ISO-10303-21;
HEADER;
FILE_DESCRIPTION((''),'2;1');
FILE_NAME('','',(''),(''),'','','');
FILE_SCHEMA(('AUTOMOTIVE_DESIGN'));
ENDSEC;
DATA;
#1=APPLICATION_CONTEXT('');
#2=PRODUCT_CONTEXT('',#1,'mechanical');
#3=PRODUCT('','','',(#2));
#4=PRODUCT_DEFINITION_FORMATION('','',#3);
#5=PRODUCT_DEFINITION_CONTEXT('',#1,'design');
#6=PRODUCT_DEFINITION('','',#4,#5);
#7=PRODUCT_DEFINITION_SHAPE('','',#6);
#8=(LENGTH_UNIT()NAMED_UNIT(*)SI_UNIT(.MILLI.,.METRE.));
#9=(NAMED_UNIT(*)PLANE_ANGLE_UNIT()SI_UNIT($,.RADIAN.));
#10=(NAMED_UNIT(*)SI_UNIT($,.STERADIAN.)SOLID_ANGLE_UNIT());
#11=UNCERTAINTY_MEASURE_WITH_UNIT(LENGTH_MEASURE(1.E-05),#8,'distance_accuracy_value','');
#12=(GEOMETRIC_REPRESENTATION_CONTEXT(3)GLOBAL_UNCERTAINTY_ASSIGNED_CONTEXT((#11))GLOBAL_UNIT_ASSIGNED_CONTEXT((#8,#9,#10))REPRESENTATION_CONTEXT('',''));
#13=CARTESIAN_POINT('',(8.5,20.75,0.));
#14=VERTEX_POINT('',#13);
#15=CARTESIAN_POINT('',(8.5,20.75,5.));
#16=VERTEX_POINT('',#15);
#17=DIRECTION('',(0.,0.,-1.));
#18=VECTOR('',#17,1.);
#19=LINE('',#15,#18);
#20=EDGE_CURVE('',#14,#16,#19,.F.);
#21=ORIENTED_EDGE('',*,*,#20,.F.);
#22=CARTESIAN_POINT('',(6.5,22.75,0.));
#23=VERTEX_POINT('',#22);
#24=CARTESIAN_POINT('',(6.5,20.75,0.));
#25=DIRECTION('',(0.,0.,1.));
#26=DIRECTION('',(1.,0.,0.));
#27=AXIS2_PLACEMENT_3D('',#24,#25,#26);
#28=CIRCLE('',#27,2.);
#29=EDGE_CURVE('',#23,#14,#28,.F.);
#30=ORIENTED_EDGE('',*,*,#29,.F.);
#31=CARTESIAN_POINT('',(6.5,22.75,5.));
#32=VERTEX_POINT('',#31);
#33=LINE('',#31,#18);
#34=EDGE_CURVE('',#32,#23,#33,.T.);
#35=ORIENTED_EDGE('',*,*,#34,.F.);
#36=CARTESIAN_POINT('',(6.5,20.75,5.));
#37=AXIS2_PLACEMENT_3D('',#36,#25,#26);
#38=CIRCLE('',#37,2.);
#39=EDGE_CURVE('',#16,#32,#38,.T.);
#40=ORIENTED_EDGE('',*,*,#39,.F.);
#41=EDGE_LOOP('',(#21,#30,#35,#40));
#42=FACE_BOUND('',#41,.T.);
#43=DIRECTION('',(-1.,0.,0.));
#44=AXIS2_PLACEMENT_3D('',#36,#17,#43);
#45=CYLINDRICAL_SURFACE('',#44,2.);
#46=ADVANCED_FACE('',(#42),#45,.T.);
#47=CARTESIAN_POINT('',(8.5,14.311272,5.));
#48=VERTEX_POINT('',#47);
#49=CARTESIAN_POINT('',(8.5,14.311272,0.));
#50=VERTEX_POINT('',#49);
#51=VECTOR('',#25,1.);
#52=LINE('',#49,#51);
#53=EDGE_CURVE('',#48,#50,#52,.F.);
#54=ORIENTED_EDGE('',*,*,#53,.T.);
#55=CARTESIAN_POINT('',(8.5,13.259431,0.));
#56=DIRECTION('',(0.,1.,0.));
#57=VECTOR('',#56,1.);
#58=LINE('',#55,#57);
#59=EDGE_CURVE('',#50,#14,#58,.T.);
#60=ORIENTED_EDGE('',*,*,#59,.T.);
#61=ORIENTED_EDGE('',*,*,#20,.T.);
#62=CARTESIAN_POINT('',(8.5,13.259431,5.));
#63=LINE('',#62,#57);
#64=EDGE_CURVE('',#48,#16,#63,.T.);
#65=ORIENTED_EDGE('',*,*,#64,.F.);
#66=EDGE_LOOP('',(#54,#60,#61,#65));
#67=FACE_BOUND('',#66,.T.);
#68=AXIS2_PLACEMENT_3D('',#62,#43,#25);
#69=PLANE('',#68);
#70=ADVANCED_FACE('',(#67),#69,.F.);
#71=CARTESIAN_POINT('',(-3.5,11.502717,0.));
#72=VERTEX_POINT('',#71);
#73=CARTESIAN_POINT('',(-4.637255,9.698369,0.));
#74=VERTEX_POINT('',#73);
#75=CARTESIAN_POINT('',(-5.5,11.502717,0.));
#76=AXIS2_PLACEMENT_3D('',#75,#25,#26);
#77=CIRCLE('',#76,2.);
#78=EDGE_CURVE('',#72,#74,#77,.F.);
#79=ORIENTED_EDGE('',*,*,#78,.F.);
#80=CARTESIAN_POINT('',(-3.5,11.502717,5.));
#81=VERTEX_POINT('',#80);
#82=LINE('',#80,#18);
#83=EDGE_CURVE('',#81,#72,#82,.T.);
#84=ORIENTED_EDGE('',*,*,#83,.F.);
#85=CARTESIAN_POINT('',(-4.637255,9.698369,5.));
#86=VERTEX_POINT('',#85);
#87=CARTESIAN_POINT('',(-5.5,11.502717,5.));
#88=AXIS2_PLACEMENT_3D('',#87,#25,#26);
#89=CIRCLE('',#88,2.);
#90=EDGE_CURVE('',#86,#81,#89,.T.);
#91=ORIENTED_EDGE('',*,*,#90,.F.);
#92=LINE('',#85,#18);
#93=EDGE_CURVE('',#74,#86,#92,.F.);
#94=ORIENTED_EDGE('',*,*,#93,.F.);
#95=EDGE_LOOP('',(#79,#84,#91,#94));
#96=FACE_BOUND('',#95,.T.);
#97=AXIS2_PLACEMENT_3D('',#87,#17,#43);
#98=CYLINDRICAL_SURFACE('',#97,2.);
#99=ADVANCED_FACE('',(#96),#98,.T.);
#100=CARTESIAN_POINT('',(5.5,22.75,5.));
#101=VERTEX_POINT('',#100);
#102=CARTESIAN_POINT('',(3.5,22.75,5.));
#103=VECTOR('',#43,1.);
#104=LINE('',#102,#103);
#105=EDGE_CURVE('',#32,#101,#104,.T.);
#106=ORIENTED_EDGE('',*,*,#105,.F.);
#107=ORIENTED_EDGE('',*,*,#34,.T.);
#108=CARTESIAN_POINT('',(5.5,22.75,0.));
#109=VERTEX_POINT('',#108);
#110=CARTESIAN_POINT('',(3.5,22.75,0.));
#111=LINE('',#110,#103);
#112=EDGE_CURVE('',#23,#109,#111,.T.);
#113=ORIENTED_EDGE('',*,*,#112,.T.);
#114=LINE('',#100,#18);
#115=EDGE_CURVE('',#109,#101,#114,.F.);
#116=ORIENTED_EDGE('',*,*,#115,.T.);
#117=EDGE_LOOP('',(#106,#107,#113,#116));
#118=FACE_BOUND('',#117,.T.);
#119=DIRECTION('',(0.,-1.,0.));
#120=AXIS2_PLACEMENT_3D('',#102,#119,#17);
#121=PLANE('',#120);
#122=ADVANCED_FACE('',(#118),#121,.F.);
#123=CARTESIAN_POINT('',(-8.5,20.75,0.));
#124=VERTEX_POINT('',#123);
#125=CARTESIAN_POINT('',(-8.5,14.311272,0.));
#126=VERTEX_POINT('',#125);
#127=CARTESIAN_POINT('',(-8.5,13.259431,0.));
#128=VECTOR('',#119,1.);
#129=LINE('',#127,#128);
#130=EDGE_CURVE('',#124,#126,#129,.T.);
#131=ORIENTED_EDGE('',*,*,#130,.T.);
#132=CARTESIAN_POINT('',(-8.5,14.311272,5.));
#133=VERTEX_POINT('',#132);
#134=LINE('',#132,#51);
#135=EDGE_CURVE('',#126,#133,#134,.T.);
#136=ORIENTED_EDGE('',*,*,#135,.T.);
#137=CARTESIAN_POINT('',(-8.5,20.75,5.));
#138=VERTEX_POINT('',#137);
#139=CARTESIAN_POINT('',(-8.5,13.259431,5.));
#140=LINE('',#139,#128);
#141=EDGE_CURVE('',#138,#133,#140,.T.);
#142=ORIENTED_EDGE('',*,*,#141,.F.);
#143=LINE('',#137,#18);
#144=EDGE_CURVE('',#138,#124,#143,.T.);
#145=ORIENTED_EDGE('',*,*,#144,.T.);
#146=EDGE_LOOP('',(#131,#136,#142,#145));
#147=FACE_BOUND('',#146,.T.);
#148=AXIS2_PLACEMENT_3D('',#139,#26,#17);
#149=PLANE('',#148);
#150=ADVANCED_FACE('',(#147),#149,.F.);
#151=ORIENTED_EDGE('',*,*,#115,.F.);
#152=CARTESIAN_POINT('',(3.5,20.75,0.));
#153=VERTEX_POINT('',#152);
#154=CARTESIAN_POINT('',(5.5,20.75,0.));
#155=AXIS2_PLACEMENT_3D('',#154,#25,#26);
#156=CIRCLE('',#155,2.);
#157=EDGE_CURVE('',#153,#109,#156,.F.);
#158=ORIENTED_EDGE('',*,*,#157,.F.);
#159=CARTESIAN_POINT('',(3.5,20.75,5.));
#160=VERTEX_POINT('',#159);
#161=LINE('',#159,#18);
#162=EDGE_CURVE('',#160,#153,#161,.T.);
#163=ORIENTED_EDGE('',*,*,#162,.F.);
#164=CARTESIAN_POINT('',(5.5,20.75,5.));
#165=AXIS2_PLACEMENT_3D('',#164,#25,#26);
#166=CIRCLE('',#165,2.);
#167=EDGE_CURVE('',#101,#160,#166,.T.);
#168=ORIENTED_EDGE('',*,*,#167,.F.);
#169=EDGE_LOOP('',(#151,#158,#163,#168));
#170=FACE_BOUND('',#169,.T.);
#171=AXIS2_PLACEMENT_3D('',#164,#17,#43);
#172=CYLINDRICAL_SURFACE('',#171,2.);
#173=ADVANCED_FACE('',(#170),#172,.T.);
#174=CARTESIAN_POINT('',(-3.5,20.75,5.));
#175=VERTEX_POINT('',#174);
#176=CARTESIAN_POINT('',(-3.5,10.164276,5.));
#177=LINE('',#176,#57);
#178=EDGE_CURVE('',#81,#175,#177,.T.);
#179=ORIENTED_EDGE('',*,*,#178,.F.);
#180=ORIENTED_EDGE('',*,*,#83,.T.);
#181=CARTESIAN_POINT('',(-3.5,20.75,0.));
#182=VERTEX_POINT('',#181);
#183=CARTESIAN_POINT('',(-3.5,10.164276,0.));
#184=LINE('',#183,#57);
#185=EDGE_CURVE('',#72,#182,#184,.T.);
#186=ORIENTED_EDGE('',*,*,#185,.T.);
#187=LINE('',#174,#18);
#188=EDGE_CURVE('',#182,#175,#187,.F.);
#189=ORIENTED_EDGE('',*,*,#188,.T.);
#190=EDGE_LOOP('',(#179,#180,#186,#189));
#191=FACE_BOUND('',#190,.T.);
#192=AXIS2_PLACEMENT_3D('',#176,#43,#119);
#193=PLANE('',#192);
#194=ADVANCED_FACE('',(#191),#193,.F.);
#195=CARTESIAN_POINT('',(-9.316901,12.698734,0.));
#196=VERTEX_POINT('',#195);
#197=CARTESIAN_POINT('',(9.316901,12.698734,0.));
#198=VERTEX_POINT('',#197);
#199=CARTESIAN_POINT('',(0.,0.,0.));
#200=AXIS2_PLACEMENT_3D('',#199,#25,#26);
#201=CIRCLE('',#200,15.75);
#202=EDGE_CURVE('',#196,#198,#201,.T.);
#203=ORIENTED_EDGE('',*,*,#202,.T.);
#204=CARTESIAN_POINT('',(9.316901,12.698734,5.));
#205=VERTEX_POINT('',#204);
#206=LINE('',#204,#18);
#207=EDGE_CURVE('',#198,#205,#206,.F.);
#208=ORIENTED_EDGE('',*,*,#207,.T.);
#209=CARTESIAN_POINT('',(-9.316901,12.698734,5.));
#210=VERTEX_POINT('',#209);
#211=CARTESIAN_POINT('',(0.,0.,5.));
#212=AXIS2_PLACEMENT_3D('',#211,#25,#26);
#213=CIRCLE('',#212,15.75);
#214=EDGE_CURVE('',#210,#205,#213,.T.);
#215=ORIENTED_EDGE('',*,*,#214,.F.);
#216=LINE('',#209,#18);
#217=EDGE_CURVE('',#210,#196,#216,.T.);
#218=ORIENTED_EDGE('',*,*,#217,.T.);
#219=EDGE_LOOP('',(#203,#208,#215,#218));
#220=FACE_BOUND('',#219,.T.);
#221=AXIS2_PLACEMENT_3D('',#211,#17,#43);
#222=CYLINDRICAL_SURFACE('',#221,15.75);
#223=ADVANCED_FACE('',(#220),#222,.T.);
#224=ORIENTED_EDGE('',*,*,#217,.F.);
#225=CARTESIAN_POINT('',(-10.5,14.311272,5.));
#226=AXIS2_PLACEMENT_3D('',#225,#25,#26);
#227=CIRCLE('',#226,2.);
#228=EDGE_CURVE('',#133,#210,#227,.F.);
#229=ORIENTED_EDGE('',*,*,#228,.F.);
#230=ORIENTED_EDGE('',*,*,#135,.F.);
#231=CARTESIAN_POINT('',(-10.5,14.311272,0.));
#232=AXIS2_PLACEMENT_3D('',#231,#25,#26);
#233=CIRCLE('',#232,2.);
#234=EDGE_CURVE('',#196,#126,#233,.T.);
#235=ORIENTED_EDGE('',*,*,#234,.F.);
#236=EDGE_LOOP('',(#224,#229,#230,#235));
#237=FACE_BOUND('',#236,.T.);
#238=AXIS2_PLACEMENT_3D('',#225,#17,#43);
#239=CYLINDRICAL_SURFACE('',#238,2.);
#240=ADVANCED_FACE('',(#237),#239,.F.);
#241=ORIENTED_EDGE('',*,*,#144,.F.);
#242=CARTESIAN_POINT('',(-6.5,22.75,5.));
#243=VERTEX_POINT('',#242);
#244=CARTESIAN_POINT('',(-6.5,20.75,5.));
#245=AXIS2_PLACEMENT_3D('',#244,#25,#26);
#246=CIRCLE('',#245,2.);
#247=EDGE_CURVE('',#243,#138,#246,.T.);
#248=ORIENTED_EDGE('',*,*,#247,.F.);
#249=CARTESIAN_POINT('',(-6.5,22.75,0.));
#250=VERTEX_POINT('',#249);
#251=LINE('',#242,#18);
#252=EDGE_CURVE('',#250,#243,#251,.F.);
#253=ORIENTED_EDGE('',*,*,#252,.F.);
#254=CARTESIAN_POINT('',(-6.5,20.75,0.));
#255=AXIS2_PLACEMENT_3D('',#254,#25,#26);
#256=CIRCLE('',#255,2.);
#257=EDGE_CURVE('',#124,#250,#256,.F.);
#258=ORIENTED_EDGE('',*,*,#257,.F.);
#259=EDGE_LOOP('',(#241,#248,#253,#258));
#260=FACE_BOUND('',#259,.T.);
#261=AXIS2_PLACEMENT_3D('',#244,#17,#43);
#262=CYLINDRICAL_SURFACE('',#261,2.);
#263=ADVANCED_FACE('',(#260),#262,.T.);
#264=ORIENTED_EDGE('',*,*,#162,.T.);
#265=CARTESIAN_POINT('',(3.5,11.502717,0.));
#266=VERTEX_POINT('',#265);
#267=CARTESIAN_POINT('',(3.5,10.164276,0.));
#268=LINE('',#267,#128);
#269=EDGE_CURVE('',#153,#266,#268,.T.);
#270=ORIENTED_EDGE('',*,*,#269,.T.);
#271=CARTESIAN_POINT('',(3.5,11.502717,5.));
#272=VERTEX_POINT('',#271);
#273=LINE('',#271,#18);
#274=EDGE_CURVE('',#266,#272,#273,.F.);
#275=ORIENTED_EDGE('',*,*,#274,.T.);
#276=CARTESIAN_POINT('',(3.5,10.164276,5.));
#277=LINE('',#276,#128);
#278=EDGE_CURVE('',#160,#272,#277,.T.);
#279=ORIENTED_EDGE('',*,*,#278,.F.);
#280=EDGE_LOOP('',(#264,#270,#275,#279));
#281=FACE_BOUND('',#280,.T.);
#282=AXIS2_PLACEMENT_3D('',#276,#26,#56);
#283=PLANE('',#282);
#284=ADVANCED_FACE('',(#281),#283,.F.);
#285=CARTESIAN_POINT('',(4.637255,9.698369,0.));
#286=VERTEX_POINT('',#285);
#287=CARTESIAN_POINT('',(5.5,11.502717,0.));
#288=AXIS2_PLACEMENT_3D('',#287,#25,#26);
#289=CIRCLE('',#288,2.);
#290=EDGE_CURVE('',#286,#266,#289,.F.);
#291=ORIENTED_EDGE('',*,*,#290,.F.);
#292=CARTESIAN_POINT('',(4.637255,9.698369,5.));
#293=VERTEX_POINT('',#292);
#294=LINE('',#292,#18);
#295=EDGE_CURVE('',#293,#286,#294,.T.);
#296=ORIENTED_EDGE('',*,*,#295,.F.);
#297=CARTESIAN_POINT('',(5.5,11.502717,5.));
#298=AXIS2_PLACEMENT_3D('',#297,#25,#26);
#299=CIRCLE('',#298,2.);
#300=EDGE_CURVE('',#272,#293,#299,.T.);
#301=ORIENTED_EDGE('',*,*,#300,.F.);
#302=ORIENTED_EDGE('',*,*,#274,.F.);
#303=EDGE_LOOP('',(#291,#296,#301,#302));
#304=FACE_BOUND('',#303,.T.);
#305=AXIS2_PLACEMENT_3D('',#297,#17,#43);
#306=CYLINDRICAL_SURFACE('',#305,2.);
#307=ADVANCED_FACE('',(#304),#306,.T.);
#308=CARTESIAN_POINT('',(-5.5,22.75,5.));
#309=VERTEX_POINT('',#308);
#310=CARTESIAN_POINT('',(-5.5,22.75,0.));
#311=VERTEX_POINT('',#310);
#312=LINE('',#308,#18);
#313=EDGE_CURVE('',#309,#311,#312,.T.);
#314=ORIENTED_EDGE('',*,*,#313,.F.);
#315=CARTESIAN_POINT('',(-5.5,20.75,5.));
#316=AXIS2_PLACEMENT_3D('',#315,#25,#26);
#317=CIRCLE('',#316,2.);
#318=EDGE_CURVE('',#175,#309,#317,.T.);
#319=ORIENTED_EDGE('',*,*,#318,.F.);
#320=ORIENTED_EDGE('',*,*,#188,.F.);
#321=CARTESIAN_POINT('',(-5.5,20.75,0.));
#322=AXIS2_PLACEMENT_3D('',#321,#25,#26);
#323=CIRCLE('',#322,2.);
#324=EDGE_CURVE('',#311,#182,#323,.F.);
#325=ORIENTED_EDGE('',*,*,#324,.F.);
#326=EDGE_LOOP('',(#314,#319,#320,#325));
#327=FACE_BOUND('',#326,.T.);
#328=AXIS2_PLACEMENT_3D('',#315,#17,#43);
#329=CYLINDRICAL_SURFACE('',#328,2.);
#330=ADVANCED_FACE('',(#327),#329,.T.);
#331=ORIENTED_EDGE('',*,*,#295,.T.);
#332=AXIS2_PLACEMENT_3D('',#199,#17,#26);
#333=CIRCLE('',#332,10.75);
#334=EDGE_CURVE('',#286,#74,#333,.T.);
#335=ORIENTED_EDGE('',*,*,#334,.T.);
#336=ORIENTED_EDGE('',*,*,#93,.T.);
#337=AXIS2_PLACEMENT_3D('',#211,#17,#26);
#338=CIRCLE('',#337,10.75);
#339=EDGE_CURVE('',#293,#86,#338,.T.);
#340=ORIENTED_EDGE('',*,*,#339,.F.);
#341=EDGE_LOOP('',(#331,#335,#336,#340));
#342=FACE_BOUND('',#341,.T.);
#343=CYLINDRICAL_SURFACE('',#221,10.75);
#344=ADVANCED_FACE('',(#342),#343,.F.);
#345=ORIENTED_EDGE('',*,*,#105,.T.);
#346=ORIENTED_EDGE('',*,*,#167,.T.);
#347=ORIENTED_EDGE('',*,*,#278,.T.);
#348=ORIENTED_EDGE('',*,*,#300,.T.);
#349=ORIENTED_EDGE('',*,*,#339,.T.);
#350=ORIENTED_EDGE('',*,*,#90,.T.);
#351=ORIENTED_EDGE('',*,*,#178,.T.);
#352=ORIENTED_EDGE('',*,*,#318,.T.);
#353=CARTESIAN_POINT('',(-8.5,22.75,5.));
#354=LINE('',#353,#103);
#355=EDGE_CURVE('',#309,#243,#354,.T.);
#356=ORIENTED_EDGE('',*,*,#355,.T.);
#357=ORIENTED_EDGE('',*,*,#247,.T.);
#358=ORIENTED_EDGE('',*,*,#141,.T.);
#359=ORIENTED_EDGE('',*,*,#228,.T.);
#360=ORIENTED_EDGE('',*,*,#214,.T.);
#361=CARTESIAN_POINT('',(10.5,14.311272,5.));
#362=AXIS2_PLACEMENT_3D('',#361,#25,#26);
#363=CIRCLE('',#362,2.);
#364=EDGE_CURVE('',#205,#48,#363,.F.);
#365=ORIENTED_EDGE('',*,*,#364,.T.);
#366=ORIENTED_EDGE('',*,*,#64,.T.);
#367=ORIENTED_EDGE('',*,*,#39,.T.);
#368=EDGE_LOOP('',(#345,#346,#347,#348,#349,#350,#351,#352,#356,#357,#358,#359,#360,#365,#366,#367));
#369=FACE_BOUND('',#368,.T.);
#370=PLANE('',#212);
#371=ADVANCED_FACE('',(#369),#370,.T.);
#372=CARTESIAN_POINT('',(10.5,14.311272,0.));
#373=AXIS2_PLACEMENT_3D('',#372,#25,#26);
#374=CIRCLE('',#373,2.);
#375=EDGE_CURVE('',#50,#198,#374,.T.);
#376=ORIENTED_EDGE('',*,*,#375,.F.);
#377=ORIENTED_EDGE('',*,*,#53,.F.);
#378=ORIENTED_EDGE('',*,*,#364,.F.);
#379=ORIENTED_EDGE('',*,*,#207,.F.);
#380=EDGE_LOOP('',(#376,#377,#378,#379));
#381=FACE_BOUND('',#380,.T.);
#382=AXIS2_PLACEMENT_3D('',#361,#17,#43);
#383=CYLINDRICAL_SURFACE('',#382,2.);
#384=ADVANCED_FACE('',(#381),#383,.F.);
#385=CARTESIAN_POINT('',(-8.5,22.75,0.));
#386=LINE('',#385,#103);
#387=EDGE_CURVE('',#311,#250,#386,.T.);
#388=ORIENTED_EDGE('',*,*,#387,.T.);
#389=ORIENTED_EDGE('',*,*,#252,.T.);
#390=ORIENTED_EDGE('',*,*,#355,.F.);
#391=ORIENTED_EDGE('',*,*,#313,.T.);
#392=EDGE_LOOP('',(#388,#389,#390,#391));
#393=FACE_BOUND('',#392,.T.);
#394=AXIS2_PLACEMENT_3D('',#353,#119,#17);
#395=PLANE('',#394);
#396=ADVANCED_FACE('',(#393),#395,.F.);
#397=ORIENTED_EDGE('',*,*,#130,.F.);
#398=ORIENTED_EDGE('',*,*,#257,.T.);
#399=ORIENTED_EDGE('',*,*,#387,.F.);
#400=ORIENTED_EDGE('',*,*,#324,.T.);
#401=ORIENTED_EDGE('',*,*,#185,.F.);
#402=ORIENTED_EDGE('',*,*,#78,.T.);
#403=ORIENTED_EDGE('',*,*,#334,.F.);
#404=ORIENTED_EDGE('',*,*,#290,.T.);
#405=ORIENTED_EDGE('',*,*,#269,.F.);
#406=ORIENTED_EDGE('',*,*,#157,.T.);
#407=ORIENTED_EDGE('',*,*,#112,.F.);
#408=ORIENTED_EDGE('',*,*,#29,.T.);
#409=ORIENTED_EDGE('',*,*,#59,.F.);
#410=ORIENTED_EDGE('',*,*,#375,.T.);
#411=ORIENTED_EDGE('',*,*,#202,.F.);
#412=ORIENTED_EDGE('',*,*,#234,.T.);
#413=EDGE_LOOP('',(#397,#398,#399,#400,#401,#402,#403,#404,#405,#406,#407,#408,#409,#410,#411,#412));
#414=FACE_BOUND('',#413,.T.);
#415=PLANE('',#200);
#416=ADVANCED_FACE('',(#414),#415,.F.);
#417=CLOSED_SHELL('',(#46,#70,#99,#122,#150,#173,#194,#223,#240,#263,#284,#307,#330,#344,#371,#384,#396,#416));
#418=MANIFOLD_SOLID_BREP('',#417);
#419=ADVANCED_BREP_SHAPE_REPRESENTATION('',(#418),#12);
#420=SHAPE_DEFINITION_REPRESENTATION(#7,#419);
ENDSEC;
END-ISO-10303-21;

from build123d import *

# Parameters (mm, degrees)
BOSS_EXTRUDE1_DEPTH = 5
FILLET1_R           = 2


with BuildPart() as part:
    # Sketch1 → Boss-Extrude1 (new body)
    with BuildSketch(Plane.XY):
        with BuildLine():
            Line((3.5, 22.75), (8.5, 22.75))
            Line((8.5, 22.75), (8.5, 13.259430606))
            ThreePointArc((8.5, 13.259430606), (0, -15.75), (-8.5, 13.259430606))
            Line((-8.5, 13.259430606), (-8.5, 22.75))
            Line((-8.5, 22.75), (-3.5, 22.75))
            Line((-3.5, 22.75), (-3.5, 10.164275675))
            ThreePointArc((-3.5, 10.164275675), (0, -10.75), (3.5, 10.164275675))
            Line((3.5, 10.164275675), (3.5, 22.75))
        make_face()
    extrude(amount=BOSS_EXTRUDE1_DEPTH)

    # Fillet1
    fillet1_edges = [part.edges().sort_by_distance(p)[0] for p in [
        (-8.5, 13.259430606, 2.5),
        (-8.5, 22.75, 2.5),
        (-3.5, 22.75, 2.5),
        (-3.5, 10.164275675, 2.5),
        (3.5, 10.164275675, 2.5),
        (3.5, 22.75, 2.5),
        (8.5, 22.75, 2.5),
        (8.5, 13.259430606, 2.5),
    ]]
    fillet(fillet1_edges, radius=FILLET1_R)


solid = part.part
